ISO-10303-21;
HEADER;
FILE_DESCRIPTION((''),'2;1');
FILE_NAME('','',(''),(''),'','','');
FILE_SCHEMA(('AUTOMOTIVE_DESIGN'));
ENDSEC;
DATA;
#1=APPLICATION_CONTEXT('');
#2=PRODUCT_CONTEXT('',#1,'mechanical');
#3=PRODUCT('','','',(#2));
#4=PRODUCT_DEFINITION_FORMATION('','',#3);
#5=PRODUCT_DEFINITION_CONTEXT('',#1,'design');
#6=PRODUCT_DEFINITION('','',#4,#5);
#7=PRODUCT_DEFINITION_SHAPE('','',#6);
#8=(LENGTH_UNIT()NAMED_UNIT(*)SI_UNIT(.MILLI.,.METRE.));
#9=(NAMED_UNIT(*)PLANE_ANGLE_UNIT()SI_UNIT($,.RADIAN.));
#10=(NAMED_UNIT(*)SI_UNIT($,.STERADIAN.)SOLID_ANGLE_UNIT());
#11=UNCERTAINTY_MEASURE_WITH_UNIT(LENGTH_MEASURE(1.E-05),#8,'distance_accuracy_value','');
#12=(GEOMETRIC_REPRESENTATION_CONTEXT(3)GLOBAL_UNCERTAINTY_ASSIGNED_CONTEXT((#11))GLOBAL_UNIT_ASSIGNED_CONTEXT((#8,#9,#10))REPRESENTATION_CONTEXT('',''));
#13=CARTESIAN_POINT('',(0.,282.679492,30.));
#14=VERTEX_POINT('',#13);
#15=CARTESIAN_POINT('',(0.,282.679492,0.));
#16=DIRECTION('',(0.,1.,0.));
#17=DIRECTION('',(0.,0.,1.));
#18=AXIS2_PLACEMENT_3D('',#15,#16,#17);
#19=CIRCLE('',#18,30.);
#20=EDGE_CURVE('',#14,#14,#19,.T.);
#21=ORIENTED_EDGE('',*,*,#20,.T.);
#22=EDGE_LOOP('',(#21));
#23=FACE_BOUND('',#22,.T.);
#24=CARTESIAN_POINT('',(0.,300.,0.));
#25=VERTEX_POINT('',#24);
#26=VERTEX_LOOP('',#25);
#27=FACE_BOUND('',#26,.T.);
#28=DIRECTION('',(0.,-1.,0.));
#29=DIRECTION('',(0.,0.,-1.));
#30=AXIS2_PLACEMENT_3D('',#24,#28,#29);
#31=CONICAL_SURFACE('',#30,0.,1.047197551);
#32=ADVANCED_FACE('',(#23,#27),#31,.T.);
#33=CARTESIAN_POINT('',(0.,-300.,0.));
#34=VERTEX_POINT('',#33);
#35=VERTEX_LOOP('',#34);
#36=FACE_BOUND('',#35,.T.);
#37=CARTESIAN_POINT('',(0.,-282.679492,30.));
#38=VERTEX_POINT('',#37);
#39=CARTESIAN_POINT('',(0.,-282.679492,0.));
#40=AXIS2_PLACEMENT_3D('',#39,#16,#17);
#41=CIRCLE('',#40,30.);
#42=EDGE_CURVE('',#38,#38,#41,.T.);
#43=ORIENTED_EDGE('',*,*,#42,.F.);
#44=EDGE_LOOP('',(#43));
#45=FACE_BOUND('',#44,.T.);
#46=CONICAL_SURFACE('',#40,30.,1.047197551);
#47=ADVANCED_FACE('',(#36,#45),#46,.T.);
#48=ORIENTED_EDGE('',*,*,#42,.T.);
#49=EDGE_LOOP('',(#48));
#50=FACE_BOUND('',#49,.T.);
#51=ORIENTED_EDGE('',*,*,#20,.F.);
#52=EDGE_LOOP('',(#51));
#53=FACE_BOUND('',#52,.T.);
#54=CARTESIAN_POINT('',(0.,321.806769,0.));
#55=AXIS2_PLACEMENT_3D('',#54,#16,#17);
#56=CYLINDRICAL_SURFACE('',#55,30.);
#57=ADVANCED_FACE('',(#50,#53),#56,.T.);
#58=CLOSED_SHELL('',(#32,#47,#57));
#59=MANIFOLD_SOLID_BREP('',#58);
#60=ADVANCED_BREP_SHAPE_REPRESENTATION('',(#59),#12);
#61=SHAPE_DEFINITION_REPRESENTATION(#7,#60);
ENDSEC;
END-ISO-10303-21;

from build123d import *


with BuildPart() as part:
    # Sketch1 → Revolve1 (revolve)
    with BuildSketch(Plane(origin=(0, 0, 0), x_dir=(0, 0, -1), z_dir=(1, 0, 0))):
        Polygon((-30, 282.679491924), (-30, -282.679491924), (0, -300), (0, 300), align=None)
    revolve(axis=Axis((0, 321.806769231, 0), (0, -1, 0)))


solid = part.part
